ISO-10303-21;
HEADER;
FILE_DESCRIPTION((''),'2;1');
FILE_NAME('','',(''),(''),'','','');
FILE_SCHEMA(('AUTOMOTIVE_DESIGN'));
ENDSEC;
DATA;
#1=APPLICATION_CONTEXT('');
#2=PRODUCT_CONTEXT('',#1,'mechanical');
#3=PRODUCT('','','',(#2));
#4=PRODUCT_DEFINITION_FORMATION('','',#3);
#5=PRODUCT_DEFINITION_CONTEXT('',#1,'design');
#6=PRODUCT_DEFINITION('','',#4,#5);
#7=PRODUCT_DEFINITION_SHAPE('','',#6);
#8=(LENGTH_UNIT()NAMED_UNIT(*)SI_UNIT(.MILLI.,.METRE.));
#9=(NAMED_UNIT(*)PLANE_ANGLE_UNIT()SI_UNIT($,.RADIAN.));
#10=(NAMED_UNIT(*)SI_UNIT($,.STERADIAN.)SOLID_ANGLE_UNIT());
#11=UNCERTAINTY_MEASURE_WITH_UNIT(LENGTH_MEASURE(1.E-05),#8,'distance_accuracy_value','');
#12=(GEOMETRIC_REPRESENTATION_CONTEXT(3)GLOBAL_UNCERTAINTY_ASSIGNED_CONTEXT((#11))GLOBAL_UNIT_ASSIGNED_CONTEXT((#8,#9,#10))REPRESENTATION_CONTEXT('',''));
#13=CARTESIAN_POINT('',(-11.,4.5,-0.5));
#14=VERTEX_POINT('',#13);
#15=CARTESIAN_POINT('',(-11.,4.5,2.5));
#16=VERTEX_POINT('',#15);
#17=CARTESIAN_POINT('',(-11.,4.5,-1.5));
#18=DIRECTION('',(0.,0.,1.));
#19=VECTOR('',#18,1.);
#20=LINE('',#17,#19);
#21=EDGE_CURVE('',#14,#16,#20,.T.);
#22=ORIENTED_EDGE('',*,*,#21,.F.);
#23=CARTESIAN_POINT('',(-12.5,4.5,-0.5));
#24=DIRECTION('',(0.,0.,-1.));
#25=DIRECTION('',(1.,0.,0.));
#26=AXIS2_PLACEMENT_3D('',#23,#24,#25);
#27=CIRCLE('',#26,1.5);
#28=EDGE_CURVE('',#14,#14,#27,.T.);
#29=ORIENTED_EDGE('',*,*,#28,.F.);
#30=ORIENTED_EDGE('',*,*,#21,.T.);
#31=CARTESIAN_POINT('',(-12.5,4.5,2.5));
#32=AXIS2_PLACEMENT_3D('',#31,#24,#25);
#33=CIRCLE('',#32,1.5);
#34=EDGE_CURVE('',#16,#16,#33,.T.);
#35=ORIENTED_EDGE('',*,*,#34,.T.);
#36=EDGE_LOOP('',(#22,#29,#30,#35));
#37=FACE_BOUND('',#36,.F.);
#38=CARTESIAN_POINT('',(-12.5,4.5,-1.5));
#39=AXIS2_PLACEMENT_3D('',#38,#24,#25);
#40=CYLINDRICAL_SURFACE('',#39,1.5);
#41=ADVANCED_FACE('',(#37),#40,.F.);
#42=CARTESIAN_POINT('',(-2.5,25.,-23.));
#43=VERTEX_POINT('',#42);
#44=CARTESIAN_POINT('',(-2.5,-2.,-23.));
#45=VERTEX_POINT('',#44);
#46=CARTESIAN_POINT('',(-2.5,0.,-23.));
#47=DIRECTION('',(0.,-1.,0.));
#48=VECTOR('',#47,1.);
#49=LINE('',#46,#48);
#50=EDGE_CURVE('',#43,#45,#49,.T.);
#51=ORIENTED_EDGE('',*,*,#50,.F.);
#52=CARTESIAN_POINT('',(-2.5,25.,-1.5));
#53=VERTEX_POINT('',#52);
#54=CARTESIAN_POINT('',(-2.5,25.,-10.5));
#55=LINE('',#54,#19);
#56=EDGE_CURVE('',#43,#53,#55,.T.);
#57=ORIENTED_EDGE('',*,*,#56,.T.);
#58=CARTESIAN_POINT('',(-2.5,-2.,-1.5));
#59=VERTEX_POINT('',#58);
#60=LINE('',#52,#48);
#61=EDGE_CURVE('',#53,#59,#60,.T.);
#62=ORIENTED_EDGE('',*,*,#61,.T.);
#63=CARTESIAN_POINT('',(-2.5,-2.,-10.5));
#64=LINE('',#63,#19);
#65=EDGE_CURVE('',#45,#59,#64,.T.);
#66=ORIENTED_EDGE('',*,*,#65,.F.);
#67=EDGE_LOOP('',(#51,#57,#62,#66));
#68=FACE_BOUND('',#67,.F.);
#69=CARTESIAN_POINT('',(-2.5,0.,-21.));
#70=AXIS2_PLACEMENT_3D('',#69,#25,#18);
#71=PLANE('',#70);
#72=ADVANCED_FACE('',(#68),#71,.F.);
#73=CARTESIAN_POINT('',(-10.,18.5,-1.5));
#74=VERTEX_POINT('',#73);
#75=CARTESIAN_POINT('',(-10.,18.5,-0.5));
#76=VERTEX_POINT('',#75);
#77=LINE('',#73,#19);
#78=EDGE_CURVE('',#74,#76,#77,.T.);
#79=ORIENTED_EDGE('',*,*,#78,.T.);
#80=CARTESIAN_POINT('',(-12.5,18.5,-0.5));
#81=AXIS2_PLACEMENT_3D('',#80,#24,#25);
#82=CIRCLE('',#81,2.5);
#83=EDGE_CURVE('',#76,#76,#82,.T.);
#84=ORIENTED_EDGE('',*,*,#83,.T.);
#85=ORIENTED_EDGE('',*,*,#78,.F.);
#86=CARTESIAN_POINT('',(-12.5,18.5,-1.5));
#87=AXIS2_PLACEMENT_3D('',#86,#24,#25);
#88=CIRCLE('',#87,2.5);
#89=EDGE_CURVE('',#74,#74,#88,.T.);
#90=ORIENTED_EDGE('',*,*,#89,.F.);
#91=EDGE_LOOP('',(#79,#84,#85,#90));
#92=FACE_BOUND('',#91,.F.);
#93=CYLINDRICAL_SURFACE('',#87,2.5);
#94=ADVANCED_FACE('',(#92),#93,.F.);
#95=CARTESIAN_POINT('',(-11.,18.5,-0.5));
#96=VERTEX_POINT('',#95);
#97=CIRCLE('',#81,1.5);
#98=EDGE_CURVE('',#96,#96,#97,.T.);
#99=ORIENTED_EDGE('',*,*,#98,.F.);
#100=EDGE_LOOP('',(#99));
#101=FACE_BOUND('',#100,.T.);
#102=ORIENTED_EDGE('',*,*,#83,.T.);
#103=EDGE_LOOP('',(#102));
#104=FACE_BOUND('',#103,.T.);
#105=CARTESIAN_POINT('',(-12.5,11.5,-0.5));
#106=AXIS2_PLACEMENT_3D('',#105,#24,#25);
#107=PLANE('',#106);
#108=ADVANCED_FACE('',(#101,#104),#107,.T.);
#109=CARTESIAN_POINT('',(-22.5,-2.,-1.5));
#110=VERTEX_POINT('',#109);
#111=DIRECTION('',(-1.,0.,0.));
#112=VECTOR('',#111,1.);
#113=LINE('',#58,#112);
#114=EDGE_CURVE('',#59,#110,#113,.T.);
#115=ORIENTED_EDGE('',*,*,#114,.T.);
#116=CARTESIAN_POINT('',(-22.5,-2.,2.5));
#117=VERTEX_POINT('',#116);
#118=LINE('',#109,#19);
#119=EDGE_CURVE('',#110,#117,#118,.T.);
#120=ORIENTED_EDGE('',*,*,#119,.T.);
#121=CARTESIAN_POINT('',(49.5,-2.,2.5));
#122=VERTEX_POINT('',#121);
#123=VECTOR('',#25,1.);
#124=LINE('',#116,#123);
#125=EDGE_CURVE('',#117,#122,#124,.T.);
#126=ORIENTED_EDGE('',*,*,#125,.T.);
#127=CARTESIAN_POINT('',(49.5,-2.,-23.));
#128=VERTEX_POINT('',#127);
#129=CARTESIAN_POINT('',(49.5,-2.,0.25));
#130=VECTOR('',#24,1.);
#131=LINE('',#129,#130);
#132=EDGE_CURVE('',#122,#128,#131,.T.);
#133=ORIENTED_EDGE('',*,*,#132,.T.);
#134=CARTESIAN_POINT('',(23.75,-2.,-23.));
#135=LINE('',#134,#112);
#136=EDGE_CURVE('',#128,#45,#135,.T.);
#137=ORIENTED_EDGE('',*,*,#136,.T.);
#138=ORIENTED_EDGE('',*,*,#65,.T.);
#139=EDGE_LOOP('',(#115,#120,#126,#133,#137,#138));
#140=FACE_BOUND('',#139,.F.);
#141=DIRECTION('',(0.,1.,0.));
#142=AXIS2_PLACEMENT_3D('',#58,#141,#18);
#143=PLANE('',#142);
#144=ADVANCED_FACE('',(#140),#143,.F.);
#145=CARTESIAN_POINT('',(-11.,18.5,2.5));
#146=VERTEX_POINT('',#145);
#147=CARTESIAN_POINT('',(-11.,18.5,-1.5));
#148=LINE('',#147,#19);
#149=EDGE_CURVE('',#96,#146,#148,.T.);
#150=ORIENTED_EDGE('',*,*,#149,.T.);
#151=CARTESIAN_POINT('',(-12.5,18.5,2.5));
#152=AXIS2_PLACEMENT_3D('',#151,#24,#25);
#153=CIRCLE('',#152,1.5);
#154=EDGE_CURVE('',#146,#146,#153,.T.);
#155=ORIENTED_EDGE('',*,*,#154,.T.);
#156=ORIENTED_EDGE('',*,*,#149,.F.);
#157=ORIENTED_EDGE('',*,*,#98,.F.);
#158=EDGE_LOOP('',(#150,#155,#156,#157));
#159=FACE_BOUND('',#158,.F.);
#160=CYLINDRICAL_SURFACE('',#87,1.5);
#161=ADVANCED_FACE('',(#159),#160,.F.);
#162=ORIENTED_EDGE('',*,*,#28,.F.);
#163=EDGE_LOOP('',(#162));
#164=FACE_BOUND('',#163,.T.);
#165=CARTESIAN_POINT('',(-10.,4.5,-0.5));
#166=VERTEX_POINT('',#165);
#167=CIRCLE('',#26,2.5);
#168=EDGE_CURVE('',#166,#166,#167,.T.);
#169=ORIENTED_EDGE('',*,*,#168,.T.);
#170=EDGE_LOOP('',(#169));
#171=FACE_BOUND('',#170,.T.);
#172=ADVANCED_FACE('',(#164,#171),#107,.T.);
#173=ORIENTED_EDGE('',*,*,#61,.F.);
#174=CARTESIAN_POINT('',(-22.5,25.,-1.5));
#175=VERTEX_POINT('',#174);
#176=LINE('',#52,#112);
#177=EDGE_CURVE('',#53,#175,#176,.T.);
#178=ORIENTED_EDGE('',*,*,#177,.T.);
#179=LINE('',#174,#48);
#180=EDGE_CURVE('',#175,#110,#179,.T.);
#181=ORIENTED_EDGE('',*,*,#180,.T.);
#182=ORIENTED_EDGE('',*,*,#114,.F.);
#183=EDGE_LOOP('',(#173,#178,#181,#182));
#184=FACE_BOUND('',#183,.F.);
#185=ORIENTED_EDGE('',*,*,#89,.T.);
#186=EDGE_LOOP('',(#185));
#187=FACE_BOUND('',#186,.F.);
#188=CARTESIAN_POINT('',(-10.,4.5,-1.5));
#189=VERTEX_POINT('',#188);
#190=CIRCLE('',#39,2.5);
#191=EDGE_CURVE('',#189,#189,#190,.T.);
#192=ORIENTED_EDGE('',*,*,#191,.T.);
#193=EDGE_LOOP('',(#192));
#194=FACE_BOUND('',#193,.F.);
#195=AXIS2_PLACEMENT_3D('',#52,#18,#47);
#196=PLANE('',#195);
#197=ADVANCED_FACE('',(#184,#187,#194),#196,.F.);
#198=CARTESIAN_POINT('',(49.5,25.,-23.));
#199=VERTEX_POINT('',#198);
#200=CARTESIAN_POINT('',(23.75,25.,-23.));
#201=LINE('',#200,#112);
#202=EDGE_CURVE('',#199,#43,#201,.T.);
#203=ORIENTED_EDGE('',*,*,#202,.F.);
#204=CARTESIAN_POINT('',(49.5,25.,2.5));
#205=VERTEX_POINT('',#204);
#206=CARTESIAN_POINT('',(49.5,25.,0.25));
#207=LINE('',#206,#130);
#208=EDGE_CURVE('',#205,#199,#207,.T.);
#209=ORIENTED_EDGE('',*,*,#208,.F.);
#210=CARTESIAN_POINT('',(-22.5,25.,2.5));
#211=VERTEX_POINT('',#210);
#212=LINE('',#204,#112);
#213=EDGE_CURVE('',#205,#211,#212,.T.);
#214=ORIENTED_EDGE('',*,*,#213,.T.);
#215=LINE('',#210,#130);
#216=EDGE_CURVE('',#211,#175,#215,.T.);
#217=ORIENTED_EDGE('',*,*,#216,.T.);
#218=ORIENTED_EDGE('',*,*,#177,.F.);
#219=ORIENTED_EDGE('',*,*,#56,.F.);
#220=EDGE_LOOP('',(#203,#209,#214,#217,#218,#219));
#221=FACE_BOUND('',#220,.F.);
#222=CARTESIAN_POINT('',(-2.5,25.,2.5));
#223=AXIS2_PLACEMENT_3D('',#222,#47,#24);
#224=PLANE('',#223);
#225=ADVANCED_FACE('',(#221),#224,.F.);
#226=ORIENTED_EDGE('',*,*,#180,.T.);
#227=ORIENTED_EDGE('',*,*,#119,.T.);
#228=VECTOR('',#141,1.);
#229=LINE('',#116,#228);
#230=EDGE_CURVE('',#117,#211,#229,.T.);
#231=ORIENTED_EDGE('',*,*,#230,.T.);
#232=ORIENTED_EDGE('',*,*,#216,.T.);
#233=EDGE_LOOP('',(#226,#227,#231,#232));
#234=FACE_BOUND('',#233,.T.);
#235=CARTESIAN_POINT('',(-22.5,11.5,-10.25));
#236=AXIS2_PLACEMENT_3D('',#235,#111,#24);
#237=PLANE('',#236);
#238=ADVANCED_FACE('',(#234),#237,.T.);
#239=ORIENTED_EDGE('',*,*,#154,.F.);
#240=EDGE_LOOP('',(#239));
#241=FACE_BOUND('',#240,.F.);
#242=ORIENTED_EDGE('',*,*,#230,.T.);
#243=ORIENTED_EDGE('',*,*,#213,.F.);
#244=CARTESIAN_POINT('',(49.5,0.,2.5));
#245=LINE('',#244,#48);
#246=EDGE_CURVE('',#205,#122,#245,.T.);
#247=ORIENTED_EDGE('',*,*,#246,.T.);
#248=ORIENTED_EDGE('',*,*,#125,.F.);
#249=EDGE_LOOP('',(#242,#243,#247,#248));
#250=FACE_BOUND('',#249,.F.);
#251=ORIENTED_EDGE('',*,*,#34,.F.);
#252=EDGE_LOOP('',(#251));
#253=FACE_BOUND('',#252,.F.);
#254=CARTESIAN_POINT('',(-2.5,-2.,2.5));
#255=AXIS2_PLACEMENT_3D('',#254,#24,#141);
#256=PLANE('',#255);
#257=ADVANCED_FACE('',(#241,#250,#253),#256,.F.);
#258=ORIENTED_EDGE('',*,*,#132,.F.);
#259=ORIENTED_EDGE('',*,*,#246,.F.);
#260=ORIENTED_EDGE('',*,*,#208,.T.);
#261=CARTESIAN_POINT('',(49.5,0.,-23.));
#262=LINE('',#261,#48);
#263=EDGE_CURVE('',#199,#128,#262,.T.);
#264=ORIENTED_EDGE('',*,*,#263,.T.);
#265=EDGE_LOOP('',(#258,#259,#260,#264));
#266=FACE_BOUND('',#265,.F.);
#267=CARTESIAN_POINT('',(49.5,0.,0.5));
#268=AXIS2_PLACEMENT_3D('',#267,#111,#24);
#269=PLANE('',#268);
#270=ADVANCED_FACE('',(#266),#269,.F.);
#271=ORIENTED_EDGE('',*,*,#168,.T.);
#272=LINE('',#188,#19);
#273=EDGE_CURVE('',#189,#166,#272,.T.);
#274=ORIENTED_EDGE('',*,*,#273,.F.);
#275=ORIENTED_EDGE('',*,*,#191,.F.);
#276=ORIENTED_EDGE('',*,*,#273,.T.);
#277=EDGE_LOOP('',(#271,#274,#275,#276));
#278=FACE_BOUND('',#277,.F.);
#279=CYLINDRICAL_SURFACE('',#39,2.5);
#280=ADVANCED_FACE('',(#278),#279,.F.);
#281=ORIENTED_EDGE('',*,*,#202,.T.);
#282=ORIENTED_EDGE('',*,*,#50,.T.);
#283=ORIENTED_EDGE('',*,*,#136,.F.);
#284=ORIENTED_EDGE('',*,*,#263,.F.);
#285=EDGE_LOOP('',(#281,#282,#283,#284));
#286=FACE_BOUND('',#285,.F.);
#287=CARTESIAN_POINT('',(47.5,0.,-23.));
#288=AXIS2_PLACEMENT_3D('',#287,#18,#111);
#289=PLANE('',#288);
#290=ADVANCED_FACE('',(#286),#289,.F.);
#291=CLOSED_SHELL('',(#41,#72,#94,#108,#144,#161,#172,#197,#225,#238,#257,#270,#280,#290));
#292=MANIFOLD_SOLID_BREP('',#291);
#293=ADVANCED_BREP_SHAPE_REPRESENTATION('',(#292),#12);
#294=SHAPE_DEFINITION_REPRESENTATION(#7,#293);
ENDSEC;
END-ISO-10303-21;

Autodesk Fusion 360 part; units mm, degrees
sketch "Sketch1" plane through (0, 0, 0) normal (0, 1, 0) x (1, 0, 0)
  line L0 (0, 0) -> (47, 0) construction
  line L1 (47, 0) -> (47, 20.5) construction
  line L2 (47, 20.5) -> (0, 20.5) construction
  line L3 (0, 20.5) -> (0, 0) construction
  line L4 (-0.5, -0.5) -> (47.5, -0.5)
  line L5 (47.5, -0.5) -> (47.5, 21)
  line L6 (47.5, 21) -> (-0.5, 21)
  line L7 (-0.5, 21) -> (-0.5, -0.5)
  dimension "d1" = 47
  dimension "d2" = 20.5
  dimension "d3" = 0.5
extrude "Extrude1" add sketch "Sketch1" along normal blind 25 makes body 1
copy_body "Body->Comp1" bodies 1 removing the originals makes body 2 in component "ServoMount"
shell "Shell1" thickness 2 outward yes removed faces 0 bodies 2 in component "ServoMount"
extrude "Extrude1'" cut 1 faces at (14.8333, 27, -14.5) along direction (0, -1, 0) blind 2 on bodies 2 bodies 2 in component "ServoMount"
ref_plane "WorkPlane1" through (-2.5, 11.5, -10.25) normal (-1, 0, 0) x (0, 0, 1)
sketch "Sketch2" plane through (-2.5, 11.5, -10.25) normal (-1, 0, 0) x (0, 0, -1) in component "ServoMount"
  line L0 (-12.75, -13.5) -> (-8.75, -13.5)
  line L1 (-8.75, -13.5) -> (-8.75, 13.5)
  line L2 (-8.75, 13.5) -> (-12.75, 13.5)
  line L3 (-12.75, 13.5) -> (-12.75, -13.5)
  point P0 (-12.75, -13.5)
  dimension "d10" = 4
extrude "Extrude2" add sketch "Sketch2" along normal blind 20 bodies 2 in component "ServoMount"
ref_plane "WorkPlane2" through (-12.5, 11.5, -1.5) normal (0, 0, -1) x (0, -1, 0) in component "ServoMount"
sketch "Sketch3" plane through (-12.5, 11.5, -1.5) normal (0, 0, -1) x (1, 0, 0) in component "ServoMount"
  circle A0 centre (0, -7) radius 1.5
  line L0 (10, -13.5) -> (-10, -13.5)
  line L1 (-10, -13.5) -> (-10, 13.5)
  circle A1 centre (0, 7) radius 1.5
  line L2 (10, 13.5) -> (-10, 13.5)
  circle A2 centre (0, -7) radius 2.5
  circle A3 centre (0, 7) radius 2.5
  dimension "d14" = 3
  dimension "d15" = 6.5
  dimension "d16" = 10
  dimension "d17" = 3
  dimension "d18" = 10
  dimension "d19" = 6.5
  dimension "d24" = 1
  dimension "d25" = 1
extrude "Extrude3" cut sketch "Sketch3" against normal up to surface (4 mm away) contours A0 bodies 2 in component "ServoMount"
extrude "Extrude4" cut sketch "Sketch3" against normal up to surface (4 mm away) contours A1 bodies 2 in component "ServoMount"
extrude "Extrude5" cut sketch "Sketch3" against normal blind 1 contours A2 bodies 2 in component "ServoMount"
extrude "Extrude6" cut sketch "Sketch3" against normal blind 1 contours A3 bodies 2 in component "ServoMount"
component "ServoMount" placed x (1, 0, 0) y (0, 1, 0) z (0, 0, 1) at (0, 0, 0)
